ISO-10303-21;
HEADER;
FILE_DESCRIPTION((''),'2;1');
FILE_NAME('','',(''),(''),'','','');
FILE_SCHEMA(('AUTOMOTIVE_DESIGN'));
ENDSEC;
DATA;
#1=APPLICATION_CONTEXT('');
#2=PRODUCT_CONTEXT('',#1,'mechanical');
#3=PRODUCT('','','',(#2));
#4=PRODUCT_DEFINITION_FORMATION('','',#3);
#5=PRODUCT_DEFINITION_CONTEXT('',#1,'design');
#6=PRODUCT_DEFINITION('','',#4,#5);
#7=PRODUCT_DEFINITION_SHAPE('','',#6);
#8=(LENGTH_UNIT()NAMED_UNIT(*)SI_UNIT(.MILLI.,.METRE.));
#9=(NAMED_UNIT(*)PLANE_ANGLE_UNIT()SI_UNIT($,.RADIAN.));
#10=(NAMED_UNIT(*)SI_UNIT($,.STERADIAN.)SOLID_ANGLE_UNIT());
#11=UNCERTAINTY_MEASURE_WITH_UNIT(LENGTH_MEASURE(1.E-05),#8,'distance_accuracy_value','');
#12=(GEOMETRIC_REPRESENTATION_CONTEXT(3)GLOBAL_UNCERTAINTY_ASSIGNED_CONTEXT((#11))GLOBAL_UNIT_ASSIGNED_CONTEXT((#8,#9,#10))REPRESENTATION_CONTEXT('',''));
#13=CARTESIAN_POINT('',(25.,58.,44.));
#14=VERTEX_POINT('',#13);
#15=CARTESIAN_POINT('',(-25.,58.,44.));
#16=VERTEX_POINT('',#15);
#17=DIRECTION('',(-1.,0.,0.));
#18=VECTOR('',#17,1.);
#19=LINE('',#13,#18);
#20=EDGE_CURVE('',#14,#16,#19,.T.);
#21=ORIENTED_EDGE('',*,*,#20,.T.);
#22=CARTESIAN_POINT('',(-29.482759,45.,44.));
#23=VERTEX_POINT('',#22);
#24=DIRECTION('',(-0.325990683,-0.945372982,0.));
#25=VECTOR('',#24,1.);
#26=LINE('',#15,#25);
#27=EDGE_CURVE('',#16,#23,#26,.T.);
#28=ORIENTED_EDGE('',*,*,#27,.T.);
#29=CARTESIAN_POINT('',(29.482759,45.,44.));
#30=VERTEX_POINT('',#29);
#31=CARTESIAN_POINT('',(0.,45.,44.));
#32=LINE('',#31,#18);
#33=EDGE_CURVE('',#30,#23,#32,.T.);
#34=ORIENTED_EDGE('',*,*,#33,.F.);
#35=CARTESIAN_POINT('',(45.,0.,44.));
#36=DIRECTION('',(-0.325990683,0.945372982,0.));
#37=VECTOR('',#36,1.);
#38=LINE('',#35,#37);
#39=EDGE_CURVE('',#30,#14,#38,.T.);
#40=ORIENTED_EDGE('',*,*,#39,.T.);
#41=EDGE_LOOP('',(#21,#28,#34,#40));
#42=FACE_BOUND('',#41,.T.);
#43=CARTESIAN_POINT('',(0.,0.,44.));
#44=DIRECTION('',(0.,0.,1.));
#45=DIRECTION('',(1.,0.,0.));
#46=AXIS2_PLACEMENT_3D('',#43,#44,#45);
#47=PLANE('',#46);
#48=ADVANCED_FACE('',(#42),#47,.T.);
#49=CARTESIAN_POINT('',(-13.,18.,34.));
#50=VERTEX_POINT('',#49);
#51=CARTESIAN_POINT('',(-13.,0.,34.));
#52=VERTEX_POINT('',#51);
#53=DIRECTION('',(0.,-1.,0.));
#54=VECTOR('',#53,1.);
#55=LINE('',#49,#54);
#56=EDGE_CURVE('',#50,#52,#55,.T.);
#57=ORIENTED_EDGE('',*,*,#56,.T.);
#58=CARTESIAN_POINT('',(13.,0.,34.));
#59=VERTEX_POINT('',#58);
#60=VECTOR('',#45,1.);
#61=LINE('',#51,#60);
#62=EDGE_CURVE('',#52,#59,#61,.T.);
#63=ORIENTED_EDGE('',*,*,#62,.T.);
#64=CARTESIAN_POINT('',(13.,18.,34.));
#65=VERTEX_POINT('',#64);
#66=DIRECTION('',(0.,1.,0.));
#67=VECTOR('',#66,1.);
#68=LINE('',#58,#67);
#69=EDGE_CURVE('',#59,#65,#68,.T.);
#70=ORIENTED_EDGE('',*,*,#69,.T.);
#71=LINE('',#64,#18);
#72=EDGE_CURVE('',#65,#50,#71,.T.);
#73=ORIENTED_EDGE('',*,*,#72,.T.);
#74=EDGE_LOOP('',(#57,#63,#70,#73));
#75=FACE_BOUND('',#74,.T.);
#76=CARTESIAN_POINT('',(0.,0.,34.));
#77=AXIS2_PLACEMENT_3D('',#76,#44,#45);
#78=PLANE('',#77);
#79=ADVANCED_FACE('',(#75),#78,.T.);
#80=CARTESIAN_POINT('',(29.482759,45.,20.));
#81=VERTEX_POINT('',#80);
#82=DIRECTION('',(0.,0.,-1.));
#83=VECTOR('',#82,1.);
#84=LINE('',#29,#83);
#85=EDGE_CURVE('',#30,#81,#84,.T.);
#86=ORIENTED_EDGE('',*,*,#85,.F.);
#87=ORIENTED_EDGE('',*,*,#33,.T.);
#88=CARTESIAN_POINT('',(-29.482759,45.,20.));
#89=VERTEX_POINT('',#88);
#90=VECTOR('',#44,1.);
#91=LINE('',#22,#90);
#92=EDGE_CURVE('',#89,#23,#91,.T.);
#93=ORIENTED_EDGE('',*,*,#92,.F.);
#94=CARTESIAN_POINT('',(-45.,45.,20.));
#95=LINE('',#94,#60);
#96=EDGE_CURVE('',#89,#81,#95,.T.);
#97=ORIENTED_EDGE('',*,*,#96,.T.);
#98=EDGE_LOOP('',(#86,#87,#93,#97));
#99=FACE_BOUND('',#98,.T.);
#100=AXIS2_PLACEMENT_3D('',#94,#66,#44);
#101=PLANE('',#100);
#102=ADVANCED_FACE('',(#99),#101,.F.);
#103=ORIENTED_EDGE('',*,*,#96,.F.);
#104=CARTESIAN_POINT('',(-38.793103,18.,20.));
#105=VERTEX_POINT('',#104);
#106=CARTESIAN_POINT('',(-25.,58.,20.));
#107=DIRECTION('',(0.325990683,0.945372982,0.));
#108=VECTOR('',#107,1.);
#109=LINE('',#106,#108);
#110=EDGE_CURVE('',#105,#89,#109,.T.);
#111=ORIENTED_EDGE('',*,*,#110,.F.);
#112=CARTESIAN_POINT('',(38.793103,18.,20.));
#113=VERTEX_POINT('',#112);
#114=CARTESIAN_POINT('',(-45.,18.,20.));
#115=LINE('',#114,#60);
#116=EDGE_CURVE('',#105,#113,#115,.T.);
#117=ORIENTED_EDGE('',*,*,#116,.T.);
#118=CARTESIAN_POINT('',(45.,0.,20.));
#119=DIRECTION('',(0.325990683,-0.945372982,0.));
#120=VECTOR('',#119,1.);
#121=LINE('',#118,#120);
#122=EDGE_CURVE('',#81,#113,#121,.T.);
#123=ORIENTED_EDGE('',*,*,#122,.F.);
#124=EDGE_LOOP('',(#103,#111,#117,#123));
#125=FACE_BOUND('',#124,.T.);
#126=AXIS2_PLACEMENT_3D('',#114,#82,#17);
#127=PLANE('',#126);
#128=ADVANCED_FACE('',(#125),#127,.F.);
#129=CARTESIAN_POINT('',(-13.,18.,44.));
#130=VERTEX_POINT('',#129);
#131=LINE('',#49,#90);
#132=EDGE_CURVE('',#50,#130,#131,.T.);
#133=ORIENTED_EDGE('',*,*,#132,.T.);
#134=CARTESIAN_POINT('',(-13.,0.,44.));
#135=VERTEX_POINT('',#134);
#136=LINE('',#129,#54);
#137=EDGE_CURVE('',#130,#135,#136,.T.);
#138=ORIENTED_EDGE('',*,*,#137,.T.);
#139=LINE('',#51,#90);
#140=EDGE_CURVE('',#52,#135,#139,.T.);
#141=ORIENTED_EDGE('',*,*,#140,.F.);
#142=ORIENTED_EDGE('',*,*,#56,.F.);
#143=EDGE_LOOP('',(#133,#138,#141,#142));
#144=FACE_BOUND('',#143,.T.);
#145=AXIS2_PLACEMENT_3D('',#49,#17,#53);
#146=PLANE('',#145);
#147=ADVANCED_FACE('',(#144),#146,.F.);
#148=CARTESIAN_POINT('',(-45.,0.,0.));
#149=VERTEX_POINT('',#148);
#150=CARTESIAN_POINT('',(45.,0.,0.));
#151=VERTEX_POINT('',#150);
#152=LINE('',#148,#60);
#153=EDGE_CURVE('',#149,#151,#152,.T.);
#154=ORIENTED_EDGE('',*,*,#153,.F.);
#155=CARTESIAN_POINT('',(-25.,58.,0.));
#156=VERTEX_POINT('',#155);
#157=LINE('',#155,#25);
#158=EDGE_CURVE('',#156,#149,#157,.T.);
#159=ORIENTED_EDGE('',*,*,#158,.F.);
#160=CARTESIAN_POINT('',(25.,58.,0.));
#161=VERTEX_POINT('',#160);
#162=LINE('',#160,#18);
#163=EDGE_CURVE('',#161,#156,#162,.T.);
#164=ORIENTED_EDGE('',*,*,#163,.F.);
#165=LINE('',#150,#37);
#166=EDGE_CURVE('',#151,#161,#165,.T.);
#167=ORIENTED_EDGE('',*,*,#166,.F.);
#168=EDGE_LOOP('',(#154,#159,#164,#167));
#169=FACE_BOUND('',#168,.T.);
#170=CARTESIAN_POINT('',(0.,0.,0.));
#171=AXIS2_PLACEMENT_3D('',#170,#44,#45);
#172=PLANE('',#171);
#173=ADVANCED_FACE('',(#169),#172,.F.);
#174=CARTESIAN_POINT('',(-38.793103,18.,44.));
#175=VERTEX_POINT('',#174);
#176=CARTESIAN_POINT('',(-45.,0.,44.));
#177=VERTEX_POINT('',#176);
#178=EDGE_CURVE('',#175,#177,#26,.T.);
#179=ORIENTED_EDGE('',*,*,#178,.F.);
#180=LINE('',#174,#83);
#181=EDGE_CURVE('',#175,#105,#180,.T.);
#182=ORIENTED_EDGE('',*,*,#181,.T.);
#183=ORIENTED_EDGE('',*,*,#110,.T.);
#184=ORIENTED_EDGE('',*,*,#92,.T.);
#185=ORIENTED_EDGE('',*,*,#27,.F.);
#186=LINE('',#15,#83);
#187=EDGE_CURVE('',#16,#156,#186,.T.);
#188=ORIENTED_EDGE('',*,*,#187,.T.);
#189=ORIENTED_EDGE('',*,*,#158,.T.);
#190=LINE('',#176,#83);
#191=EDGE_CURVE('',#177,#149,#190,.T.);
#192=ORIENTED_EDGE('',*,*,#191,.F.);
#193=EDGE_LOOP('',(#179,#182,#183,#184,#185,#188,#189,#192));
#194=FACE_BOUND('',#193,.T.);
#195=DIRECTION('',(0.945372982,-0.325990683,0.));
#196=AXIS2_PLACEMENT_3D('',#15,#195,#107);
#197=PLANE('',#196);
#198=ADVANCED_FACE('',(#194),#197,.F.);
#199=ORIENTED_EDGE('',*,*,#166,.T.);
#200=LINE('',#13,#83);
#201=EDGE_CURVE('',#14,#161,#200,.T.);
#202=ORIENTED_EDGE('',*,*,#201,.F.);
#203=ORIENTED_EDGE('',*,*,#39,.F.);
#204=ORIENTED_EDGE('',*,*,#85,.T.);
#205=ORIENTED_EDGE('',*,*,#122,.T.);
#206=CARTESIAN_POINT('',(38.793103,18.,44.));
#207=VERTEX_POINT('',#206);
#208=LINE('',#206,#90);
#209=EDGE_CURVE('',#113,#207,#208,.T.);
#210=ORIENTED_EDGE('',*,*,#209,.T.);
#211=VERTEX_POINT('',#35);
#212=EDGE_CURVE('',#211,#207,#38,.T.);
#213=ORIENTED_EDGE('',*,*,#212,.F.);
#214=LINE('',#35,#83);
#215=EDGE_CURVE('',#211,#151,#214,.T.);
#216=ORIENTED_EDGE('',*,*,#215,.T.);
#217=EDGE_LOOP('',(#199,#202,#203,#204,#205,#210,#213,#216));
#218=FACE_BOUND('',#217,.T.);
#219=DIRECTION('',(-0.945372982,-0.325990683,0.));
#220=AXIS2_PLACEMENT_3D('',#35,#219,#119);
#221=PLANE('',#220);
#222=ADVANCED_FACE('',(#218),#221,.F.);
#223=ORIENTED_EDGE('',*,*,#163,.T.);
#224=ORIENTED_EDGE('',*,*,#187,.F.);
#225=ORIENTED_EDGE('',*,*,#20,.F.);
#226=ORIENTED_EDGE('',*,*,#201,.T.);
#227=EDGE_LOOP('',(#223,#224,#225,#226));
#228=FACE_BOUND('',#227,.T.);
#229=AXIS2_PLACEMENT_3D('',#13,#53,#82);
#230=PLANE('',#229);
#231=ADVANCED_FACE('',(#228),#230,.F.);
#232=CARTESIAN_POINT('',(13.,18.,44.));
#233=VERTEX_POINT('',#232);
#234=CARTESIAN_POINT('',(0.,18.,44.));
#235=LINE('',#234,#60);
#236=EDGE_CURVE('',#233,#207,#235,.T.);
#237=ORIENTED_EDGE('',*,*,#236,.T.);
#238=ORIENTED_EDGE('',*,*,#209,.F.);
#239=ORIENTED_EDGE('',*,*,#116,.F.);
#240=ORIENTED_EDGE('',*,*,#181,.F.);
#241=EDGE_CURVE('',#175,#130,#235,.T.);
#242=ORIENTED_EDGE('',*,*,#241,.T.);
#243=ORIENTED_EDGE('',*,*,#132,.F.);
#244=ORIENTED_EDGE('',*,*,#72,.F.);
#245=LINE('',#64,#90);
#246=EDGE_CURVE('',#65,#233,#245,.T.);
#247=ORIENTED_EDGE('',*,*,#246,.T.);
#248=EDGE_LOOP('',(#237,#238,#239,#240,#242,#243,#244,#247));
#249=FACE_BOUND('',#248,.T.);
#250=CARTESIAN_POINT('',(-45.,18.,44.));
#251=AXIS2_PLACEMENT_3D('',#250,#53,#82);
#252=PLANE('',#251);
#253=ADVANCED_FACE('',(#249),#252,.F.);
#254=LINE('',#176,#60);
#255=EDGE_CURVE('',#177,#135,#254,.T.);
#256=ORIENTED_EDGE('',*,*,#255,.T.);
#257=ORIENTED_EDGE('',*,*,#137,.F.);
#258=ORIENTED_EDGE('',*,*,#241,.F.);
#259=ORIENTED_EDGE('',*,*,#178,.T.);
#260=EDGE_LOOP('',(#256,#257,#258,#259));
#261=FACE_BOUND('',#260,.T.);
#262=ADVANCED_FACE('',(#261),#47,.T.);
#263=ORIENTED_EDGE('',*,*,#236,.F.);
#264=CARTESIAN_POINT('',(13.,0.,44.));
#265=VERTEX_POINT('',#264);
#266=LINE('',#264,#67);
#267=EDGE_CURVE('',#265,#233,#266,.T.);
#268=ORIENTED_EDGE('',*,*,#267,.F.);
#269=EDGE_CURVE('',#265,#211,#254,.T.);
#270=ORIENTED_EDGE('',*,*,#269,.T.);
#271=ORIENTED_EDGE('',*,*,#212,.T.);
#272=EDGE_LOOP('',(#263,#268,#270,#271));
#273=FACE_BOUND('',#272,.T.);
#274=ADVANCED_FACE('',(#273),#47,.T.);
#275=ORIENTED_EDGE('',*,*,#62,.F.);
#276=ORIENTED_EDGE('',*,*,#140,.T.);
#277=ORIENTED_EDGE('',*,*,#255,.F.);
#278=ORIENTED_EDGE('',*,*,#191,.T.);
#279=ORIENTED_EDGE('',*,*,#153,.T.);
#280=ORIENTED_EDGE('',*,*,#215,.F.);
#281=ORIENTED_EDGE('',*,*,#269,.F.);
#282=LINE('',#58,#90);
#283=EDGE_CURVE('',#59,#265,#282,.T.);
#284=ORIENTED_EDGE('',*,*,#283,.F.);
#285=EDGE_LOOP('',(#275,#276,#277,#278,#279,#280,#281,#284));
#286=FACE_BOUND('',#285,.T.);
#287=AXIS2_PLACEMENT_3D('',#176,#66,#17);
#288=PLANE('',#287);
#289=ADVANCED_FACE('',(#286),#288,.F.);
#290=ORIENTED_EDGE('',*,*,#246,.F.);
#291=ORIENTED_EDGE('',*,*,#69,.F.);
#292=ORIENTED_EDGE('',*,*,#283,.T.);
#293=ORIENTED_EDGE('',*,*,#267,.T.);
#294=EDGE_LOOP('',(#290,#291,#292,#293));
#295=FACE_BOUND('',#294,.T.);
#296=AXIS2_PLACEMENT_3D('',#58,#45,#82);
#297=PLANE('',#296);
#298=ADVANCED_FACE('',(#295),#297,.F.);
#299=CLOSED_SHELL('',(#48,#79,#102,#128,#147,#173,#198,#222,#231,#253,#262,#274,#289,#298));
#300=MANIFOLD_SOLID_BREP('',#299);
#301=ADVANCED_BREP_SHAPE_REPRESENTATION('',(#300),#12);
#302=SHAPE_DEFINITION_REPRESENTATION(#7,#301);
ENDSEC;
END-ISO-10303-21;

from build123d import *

# Parameters (mm, degrees)
BOSS_EXTRUDE1_DEPTH     = 44
CUT_EXTRUDE1_DEPTH      = 86.586213843
CUT_EXTRUDE1_DEPTH_BACK = 86.586213843
SKETCH2_W               = 24
SKETCH2_H               = 27
SKETCH3_W               = 26
SKETCH3_H               = 18
CUT_EXTRUDE2_DEPTH      = 10


with BuildPart() as part:
    # Sketch1 → Boss-Extrude1 (new body)
    with BuildSketch(Plane.XY):
        Polygon((-45, 0), (45, 0), (25, 58), (-25, 58), align=None)
    extrude(amount=BOSS_EXTRUDE1_DEPTH)

    # Sketch2 → Cut-Extrude1 (cut, two sides: drawn at the far end of the back side and taken through both)
    with BuildSketch(Plane(origin=(0, 0, 0), x_dir=(0, 0, -1), z_dir=(1, 0, 0)).offset(-CUT_EXTRUDE1_DEPTH_BACK)):
        with Locations((-32, 31.5)):
            Rectangle(SKETCH2_W, SKETCH2_H)
    extrude(amount=CUT_EXTRUDE1_DEPTH + CUT_EXTRUDE1_DEPTH_BACK, mode=Mode.SUBTRACT)

    # Sketch3 → Cut-Extrude2 (cut)
    with BuildSketch(Plane.XY.offset(44)):
        with Locations((0, 9)):
            Rectangle(SKETCH3_W, SKETCH3_H)
    extrude(amount=-CUT_EXTRUDE2_DEPTH, mode=Mode.SUBTRACT)


solid = part.part
